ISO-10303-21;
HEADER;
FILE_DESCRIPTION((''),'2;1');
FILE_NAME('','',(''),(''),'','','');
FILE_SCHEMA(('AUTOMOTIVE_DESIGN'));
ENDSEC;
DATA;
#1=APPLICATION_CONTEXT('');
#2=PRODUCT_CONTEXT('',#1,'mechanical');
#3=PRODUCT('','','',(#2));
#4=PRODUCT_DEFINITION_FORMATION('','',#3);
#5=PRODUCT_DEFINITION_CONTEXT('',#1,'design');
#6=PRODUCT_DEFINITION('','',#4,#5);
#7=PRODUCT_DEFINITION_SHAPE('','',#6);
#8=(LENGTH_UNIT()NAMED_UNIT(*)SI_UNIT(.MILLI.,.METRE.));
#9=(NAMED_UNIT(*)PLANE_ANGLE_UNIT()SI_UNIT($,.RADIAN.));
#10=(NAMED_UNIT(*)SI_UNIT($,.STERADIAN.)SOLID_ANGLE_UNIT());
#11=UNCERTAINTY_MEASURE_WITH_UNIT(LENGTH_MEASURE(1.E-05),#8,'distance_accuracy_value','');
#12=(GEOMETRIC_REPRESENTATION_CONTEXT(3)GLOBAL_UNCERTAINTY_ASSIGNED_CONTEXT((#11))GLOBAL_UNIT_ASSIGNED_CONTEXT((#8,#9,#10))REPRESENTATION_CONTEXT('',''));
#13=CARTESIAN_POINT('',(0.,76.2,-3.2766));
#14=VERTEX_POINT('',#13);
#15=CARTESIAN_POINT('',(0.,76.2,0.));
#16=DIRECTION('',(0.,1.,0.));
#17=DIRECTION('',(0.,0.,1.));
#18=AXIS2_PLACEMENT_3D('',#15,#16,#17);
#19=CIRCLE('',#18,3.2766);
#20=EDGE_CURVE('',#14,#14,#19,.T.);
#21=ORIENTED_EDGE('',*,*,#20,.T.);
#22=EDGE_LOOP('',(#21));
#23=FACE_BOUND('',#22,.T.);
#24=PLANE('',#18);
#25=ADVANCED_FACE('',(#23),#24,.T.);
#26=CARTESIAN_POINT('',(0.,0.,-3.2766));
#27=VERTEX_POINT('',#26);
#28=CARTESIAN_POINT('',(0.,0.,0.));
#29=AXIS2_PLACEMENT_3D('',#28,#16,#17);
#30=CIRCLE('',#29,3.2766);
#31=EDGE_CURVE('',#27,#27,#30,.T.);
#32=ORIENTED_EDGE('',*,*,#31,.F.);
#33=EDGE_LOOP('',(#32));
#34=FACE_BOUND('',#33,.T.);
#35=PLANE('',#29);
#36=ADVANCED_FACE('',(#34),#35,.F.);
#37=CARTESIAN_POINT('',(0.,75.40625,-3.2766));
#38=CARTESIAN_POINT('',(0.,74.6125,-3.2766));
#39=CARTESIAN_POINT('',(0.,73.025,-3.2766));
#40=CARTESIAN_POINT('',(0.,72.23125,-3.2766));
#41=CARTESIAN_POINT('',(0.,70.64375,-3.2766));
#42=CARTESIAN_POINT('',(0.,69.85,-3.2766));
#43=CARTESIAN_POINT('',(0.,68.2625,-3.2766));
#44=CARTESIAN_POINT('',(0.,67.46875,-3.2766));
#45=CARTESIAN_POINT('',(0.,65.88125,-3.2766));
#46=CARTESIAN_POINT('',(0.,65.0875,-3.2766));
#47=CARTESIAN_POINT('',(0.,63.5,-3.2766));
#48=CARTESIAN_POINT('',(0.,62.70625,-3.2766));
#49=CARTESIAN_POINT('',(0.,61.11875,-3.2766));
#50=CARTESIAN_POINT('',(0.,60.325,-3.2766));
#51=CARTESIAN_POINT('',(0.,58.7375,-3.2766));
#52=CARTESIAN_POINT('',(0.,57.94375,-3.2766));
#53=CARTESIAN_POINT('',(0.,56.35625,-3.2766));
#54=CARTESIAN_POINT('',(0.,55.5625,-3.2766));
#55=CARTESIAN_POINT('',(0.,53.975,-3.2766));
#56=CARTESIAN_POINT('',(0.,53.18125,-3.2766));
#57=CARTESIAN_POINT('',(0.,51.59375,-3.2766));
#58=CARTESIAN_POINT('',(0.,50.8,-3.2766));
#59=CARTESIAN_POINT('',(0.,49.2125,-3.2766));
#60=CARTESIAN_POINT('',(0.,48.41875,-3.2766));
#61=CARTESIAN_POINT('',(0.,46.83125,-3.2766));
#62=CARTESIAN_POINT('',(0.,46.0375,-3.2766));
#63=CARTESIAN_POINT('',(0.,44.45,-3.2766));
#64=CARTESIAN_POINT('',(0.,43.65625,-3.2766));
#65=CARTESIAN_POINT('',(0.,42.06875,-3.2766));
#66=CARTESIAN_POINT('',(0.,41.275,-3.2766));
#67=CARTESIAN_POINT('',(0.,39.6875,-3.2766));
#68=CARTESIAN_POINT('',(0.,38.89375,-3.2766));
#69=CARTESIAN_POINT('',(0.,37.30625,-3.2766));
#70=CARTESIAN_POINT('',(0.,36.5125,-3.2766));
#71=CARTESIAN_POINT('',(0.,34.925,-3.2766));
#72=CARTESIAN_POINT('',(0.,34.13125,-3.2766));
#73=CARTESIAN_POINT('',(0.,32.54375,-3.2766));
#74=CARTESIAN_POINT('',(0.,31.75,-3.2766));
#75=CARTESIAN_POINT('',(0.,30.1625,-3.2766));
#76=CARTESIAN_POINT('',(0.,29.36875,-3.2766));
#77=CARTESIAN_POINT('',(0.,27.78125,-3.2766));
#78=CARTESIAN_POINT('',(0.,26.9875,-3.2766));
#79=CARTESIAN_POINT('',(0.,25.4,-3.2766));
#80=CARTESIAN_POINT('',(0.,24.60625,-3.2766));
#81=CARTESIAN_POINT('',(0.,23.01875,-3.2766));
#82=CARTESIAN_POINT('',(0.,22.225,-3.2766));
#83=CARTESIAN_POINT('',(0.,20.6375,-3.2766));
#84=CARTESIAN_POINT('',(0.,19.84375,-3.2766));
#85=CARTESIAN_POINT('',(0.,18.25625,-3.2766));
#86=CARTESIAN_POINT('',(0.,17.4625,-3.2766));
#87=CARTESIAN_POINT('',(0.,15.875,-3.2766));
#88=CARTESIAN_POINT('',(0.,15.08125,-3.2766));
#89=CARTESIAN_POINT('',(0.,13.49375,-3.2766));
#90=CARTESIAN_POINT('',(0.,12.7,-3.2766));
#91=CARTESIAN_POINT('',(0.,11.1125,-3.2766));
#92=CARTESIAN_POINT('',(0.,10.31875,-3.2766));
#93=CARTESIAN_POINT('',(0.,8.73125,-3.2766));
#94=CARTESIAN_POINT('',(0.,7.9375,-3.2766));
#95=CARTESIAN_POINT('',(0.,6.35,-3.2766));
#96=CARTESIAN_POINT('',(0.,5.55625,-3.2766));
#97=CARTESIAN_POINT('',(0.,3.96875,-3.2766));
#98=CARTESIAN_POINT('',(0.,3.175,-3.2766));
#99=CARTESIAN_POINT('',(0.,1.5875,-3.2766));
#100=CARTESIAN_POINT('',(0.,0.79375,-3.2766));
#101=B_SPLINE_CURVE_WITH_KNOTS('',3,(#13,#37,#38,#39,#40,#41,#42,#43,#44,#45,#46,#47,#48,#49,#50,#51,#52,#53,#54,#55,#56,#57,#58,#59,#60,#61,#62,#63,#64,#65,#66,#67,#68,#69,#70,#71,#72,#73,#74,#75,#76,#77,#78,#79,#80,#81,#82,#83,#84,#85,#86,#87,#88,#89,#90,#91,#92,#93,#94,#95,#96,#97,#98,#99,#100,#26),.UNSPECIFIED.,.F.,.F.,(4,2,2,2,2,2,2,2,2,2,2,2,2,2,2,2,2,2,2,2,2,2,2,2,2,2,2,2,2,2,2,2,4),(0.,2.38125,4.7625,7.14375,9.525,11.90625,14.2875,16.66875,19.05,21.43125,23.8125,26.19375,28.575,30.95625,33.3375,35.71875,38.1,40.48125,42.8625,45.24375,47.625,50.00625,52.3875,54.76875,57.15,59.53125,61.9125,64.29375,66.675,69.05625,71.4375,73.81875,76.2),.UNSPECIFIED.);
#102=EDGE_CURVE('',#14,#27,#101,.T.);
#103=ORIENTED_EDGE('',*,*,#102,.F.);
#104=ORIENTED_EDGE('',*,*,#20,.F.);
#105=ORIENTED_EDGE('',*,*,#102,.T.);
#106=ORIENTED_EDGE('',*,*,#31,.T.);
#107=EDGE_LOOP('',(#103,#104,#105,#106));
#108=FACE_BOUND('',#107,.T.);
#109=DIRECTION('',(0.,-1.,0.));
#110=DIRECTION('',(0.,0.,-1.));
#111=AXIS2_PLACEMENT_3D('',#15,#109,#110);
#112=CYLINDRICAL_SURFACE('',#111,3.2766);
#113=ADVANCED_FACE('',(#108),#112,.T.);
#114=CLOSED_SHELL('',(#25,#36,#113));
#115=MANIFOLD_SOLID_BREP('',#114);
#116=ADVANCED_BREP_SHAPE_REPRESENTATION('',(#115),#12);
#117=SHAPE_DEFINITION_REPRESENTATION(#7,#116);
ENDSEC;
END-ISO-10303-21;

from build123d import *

# Parameters (mm, degrees)
SKETCH1_R           = 3.2766
BOSS_EXTRUDE1_DEPTH = 76.2


with BuildPart() as part:
    # Sketch1 → Boss-Extrude1 (new body)
    with BuildSketch(Plane(origin=(0, 0, 0), x_dir=(1, 0, 0), z_dir=(0, 1, 0))):
        Circle(SKETCH1_R)
    extrude(amount=BOSS_EXTRUDE1_DEPTH)


solid = part.part
